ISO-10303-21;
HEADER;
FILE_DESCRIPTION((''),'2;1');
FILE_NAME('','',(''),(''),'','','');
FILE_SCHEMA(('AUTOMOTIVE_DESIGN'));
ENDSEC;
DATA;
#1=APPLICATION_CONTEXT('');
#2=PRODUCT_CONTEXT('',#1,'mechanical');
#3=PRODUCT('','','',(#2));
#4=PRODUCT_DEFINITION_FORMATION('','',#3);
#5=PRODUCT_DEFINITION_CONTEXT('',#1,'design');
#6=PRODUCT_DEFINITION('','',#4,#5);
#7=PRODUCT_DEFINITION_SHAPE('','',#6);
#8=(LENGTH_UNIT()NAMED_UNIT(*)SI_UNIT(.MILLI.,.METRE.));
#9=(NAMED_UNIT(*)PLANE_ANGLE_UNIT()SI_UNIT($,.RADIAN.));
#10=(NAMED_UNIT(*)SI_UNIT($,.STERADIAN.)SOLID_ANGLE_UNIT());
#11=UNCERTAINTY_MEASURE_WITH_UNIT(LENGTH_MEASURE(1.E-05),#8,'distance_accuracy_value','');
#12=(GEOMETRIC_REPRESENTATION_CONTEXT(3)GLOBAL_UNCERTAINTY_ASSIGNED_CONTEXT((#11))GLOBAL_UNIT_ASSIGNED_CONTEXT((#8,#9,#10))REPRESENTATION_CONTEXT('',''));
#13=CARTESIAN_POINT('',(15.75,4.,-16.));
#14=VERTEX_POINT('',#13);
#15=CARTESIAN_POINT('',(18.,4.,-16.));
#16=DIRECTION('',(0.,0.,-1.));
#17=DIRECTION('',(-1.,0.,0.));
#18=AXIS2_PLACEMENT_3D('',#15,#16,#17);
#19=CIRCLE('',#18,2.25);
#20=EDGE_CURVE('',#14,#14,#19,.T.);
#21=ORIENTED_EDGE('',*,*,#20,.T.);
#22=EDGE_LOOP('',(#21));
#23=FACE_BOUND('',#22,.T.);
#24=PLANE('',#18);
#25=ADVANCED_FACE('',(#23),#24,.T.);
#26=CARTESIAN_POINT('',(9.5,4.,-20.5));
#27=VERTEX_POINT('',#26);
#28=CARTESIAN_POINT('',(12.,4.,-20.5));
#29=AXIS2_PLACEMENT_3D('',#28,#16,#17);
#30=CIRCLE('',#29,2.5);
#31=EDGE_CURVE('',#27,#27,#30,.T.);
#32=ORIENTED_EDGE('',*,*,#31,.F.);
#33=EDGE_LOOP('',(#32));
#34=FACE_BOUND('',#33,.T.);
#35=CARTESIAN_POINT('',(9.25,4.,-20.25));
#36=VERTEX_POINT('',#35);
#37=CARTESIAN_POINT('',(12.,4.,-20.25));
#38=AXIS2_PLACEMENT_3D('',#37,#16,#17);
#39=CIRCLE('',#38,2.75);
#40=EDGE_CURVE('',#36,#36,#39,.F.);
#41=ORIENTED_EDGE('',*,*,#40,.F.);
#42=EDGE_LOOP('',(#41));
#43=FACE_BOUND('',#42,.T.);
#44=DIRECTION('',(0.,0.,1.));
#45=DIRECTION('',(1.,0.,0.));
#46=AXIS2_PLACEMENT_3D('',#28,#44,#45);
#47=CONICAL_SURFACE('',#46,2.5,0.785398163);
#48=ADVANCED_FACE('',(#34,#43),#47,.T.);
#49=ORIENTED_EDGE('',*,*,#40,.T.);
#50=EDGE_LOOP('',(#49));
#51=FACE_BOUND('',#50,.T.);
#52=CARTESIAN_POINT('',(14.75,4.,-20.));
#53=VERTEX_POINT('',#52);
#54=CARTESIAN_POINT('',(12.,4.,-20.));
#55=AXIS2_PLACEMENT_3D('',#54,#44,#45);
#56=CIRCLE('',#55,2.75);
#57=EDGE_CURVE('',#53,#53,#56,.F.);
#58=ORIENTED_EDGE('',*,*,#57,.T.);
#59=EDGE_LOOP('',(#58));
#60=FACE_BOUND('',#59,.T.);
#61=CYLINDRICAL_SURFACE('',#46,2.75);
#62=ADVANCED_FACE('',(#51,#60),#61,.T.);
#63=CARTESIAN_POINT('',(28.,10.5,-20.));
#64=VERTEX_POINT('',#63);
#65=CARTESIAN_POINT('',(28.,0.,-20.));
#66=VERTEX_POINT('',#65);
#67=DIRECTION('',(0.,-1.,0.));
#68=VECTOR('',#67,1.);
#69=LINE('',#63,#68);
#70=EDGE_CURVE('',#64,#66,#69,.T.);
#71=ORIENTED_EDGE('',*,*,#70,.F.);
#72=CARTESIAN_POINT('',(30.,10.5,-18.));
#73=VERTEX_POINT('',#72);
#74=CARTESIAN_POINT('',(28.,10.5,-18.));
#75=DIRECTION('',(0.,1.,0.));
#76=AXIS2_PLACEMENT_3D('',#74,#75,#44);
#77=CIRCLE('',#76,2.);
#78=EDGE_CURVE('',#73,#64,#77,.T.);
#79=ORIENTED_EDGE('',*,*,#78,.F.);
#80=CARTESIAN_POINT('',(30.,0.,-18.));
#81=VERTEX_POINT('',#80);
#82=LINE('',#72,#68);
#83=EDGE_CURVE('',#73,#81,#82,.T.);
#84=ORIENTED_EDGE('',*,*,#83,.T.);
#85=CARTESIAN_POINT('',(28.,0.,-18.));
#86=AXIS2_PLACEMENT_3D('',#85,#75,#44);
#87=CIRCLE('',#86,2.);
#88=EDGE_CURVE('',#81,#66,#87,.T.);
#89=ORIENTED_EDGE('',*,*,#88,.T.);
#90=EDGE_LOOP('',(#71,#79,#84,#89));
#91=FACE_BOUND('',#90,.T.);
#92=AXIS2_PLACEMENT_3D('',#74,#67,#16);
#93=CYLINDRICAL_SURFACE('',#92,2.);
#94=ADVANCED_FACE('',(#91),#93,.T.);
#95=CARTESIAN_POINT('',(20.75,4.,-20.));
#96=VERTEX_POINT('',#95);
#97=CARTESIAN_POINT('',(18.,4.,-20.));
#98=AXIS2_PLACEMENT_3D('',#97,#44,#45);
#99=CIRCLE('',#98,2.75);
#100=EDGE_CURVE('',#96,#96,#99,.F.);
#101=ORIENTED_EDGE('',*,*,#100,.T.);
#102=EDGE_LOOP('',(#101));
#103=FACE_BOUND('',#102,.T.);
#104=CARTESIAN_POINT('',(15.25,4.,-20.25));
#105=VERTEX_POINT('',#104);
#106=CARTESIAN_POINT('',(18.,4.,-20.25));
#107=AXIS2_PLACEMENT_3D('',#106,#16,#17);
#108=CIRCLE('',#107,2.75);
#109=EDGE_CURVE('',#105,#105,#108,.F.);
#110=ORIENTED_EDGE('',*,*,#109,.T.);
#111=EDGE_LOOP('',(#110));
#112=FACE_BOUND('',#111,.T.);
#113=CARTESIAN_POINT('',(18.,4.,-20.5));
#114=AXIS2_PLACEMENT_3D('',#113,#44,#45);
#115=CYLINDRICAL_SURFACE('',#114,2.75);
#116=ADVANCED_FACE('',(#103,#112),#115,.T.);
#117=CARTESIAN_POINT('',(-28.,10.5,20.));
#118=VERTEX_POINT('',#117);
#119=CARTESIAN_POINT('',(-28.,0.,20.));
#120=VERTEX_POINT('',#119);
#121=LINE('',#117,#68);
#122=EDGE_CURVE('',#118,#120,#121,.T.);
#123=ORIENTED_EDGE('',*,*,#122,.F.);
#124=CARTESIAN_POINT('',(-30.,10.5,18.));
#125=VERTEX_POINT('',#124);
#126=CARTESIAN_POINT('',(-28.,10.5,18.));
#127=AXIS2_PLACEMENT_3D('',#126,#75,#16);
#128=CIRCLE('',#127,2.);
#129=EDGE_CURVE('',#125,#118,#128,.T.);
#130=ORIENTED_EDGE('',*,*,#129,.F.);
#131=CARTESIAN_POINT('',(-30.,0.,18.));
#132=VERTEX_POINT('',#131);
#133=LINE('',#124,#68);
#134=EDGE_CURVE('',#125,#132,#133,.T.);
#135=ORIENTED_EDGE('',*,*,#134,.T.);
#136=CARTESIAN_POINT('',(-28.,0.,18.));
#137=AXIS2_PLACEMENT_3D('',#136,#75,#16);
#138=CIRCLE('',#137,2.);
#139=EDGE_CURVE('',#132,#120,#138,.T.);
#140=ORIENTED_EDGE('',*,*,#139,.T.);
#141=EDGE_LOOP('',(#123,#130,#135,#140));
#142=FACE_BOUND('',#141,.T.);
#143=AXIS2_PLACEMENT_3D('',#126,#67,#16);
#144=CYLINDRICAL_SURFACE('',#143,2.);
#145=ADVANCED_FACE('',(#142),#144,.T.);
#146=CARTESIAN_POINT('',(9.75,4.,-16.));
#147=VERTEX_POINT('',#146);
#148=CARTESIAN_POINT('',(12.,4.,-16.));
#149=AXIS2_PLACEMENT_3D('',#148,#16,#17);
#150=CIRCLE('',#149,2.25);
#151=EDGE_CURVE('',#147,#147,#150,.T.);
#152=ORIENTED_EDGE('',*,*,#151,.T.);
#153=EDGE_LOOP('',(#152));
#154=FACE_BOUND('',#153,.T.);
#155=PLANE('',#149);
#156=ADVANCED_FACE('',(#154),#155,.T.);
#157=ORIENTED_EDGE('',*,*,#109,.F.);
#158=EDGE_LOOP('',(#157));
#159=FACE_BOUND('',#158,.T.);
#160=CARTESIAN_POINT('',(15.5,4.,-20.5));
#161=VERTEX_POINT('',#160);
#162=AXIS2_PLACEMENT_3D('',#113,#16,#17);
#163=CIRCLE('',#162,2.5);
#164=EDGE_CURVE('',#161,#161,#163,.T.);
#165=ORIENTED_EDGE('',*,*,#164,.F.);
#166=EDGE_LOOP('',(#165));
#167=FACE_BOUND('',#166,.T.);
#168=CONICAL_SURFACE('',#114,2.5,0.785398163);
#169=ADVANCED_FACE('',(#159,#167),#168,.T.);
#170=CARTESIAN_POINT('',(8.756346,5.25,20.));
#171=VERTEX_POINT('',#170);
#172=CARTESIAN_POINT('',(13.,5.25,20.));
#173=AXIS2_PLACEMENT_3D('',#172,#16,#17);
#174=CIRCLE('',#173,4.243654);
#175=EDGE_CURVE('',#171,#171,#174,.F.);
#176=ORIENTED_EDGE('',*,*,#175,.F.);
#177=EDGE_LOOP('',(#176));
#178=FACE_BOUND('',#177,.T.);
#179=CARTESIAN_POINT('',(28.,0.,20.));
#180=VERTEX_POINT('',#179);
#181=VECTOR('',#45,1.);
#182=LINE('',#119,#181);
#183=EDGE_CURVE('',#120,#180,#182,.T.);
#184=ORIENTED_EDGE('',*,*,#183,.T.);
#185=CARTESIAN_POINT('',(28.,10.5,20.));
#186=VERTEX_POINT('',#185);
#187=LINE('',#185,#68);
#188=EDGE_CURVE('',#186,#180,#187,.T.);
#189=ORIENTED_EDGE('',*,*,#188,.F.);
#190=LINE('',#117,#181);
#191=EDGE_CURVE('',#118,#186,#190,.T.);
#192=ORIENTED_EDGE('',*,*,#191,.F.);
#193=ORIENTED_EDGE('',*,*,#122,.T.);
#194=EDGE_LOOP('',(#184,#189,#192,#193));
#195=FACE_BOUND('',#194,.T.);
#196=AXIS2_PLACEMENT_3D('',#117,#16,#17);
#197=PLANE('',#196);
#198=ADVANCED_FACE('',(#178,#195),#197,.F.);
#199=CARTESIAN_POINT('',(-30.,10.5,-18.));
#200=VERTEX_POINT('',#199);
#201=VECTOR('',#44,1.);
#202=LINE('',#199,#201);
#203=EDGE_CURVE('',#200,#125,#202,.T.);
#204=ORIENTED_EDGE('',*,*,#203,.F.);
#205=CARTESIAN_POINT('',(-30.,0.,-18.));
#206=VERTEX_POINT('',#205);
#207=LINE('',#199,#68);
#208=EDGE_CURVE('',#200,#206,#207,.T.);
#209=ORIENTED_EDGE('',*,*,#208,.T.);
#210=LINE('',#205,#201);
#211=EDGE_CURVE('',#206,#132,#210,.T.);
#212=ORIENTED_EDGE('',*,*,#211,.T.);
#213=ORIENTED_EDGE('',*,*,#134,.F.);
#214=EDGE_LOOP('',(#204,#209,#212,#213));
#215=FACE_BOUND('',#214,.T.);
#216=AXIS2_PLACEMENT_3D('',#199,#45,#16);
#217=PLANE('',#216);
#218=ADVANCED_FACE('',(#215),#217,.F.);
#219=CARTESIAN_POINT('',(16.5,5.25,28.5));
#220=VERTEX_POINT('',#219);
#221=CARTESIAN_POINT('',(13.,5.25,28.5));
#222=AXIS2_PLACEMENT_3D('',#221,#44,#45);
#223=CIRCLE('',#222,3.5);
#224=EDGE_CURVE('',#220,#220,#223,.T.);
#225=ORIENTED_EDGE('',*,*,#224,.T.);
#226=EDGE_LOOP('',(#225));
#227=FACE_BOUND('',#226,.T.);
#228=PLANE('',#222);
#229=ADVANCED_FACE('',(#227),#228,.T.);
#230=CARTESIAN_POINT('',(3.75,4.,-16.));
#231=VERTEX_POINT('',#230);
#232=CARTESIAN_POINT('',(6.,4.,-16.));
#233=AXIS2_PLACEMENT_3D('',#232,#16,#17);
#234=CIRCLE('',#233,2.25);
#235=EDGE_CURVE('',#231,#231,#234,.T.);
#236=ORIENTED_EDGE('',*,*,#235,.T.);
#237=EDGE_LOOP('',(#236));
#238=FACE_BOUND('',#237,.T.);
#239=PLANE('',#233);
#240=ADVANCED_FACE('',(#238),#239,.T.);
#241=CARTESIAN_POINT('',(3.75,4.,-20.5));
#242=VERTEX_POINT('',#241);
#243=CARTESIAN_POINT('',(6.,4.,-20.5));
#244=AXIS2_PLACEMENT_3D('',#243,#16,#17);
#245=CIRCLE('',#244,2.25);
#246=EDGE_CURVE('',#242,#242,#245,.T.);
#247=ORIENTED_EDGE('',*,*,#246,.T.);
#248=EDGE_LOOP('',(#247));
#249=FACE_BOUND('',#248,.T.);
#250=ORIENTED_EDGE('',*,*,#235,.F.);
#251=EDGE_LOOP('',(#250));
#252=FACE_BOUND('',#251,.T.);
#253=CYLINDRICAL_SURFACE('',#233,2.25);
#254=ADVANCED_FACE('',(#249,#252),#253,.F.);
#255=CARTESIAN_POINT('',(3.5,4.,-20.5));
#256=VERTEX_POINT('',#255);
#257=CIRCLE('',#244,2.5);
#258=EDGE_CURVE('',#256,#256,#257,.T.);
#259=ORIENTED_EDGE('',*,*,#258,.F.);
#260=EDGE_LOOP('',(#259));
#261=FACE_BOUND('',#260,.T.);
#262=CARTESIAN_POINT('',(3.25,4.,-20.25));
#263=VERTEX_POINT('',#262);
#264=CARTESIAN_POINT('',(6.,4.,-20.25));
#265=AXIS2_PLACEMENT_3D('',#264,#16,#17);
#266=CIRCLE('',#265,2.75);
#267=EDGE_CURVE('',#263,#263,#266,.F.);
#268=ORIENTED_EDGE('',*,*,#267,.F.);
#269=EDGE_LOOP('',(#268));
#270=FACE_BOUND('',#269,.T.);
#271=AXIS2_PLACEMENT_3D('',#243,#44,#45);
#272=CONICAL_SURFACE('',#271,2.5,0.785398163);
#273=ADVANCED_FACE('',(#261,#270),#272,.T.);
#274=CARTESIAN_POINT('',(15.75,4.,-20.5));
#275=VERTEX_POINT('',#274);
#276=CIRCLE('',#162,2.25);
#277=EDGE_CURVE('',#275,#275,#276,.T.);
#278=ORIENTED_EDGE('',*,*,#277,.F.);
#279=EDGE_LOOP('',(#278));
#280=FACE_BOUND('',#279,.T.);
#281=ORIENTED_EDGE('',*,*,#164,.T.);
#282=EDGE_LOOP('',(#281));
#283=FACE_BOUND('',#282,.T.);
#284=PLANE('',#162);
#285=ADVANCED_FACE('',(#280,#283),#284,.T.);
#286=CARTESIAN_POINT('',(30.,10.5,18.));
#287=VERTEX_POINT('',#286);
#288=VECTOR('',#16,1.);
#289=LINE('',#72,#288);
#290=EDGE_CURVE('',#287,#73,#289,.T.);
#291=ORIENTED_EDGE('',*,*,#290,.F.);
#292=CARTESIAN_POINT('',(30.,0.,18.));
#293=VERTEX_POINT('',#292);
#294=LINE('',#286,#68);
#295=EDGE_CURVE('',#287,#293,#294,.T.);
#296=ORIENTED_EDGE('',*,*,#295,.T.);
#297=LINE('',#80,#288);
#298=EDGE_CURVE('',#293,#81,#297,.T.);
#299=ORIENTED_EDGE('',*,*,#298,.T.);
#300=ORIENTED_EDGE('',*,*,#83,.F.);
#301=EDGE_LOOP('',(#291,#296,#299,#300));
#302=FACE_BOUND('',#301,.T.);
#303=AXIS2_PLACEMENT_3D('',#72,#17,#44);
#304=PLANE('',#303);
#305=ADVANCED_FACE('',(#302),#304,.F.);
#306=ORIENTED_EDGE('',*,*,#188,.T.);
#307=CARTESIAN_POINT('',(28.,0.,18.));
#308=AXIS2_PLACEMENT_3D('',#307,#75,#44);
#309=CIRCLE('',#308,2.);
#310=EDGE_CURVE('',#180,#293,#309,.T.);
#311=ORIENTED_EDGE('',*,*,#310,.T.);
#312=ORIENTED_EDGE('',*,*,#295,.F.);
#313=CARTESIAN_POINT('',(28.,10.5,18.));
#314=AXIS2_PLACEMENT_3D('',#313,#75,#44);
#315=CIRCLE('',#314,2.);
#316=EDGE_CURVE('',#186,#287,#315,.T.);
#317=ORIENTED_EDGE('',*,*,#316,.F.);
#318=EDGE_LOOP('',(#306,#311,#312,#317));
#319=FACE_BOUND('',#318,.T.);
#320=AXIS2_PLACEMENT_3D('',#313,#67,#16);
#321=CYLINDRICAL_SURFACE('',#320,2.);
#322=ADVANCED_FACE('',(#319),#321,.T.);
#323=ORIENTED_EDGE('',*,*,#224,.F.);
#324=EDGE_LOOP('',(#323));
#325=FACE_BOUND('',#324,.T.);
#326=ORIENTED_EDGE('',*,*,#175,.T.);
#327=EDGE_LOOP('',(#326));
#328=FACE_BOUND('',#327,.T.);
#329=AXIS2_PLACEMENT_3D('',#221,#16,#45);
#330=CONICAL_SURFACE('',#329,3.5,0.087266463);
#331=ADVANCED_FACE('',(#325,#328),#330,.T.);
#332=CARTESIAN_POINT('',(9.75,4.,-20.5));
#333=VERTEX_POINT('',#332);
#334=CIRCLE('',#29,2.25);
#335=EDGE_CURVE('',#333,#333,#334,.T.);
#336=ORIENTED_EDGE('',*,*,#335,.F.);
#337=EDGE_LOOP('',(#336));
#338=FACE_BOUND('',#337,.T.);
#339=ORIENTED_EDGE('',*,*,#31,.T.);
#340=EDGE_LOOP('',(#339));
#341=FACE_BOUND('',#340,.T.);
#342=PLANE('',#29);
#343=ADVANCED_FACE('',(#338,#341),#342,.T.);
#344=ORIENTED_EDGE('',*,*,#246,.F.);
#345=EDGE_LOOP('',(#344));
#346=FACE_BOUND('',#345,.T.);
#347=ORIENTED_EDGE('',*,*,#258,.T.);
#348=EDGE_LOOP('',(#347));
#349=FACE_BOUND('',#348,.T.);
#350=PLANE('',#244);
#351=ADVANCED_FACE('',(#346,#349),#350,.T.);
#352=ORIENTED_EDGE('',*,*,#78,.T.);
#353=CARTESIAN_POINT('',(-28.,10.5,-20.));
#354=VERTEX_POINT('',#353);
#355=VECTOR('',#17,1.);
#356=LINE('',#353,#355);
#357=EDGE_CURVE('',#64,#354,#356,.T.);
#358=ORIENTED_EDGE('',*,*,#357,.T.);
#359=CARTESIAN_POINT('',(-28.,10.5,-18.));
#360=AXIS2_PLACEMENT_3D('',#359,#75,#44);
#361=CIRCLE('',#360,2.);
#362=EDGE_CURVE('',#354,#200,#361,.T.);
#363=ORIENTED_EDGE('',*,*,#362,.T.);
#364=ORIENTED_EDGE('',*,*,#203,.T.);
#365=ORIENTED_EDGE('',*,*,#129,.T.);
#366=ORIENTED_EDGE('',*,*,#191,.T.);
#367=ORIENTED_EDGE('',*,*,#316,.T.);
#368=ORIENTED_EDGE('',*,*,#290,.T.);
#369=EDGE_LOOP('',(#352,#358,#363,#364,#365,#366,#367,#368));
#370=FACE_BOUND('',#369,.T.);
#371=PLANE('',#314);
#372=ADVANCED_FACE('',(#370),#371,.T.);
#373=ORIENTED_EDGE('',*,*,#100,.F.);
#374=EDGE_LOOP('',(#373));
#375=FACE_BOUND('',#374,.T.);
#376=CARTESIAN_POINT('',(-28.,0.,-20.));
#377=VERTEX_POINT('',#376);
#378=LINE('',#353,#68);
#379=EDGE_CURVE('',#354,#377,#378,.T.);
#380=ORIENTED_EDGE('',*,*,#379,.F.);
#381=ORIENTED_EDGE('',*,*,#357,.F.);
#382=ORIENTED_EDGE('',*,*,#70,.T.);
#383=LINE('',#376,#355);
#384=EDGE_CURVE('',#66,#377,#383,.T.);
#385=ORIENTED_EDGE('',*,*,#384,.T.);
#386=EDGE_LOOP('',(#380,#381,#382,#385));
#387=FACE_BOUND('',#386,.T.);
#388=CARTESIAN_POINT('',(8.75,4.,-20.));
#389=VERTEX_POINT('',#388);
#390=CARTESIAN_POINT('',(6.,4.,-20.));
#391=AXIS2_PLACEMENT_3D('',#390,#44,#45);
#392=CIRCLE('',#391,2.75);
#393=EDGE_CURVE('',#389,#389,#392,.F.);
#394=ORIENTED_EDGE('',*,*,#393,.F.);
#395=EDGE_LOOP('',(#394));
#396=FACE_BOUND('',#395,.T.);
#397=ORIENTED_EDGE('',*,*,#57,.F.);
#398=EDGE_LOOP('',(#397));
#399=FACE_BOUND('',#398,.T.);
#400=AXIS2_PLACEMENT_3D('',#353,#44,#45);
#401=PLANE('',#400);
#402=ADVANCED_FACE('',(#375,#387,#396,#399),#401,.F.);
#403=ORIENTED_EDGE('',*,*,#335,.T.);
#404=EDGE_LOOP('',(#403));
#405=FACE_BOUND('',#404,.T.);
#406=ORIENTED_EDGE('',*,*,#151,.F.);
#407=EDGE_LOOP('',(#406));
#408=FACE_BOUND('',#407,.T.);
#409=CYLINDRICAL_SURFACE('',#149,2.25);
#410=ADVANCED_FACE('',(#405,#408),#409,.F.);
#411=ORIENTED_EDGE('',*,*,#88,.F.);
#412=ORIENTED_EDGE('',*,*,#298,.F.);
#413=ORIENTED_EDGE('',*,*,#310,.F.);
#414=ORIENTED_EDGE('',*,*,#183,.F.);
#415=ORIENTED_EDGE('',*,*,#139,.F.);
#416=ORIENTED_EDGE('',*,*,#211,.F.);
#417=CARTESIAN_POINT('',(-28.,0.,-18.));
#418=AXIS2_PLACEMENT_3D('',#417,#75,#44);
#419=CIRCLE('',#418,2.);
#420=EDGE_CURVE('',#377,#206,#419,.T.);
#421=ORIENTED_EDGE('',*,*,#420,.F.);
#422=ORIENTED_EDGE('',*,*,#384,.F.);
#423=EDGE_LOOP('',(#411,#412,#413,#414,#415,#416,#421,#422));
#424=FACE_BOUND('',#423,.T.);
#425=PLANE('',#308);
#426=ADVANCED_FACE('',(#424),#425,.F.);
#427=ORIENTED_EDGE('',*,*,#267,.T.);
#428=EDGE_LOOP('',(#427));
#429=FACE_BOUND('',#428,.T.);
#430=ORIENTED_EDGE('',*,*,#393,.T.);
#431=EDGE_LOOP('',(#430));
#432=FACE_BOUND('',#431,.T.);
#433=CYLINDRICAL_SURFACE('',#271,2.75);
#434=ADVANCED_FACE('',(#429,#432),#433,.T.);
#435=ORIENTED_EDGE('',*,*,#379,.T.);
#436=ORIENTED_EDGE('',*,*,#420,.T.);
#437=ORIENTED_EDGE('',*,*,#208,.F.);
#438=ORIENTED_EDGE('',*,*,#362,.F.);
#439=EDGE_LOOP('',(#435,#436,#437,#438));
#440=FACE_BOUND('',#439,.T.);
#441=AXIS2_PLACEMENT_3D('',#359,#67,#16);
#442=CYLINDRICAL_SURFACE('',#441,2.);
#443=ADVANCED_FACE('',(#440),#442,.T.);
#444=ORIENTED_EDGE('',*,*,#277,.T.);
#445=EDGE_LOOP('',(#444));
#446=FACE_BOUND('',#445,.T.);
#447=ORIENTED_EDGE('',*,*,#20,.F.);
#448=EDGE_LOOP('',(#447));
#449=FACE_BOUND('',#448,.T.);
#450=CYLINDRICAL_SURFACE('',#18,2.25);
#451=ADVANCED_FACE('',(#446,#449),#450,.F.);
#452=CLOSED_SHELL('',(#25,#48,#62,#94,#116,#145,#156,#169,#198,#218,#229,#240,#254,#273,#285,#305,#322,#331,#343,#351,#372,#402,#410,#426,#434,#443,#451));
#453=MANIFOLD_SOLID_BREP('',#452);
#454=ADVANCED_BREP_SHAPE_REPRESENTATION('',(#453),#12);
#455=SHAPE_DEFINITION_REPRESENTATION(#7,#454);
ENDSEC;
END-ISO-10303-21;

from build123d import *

# Parameters (mm, degrees)
EXTRUDE_1_DEPTH     = 10.5
SKETCH_2_R          = 2.25
CUT_EXTRUDE_1_DEPTH = 4
SKETCH_3_R          = 2.75
SKETCH_3_R_2        = 2.25
EXTRUDE_2_DEPTH     = 0.5
CHAMFER_1_SIZE      = 0.25
SKETCH_4_R          = 3.5
EXTRUDE_3_DEPTH     = 8.5
DRAFT_1_ANGLE       = 5


with BuildPart() as part:
    # 草图1 → 凸台-拉伸1 (new body)
    with BuildSketch(Plane(origin=(0, 0, 0), x_dir=(1, 0, 0), z_dir=(0, 1, 0))):
        with BuildLine():
            Line((-28, 20), (28, 20))
            ThreePointArc((28, 20), (29.414213562, 19.414213562), (30, 18))
            Line((30, 18), (30, -18))
            ThreePointArc((30, -18), (29.414213562, -19.414213562), (28, -20))
            Line((28, -20), (-28, -20))
            ThreePointArc((-28, -20), (-29.414213562, -19.414213562), (-30, -18))
            Line((-30, -18), (-30, 18))
            ThreePointArc((-30, 18), (-29.414213562, 19.414213562), (-28, 20))
        make_face()
    extrude(amount=EXTRUDE_1_DEPTH)

    # 草图2 → 切除-拉伸1 (cut)
    with BuildSketch(Plane(origin=(0, 0, -20), x_dir=(-1, 0, 0), z_dir=(0, 0, -1))):
        with Locations((-18, 4)):
            Circle(SKETCH_2_R)
        with Locations((-12, 4)):
            Circle(SKETCH_2_R)
        with Locations((-6, 4)):
            Circle(SKETCH_2_R)
    extrude(amount=-CUT_EXTRUDE_1_DEPTH, mode=Mode.SUBTRACT)

    # 草图3 → 凸台-拉伸2 (add)
    with BuildSketch(Plane(origin=(0, 0, -20), x_dir=(-1, 0, 0), z_dir=(0, 0, -1))):
        with Locations((-18, 4)):
            Circle(SKETCH_3_R)
        with Locations((-18, 4)):
            Circle(SKETCH_3_R_2, mode=Mode.SUBTRACT)
        with Locations((-12, 4)):
            Circle(SKETCH_3_R)
        with Locations((-12, 4)):
            Circle(SKETCH_3_R_2, mode=Mode.SUBTRACT)
        with Locations((-6, 4)):
            Circle(SKETCH_3_R)
        with Locations((-6, 4)):
            Circle(SKETCH_3_R_2, mode=Mode.SUBTRACT)
    extrude(amount=EXTRUDE_2_DEPTH)

    # 倒角1
    chamfer_1_edges = [part.edges().sort_by_distance(p)[0] for p in [
        (20.75, 4, -20.5),
        (14.75, 4, -20.5),
        (8.75, 4, -20.5),
    ]]
    chamfer(chamfer_1_edges, length=CHAMFER_1_SIZE)

    # 草图4 → 凸台-拉伸3 (add)
    with BuildSketch(Plane.XY.offset(20)):
        with Locations((13, 5.25)):
            Circle(SKETCH_4_R)
    extrude(amount=EXTRUDE_3_DEPTH)

    # 拔模1
    draft_1_faces = [part.faces().sort_by_distance(p)[0] for p in [
        (9.5, 5.25, 24.25),
    ]]
    draft(draft_1_faces, Plane(origin=(13, 5.25, 28.5), x_dir=(1, 0, 0), z_dir=(0, 0, 1)), DRAFT_1_ANGLE)


solid = part.part
